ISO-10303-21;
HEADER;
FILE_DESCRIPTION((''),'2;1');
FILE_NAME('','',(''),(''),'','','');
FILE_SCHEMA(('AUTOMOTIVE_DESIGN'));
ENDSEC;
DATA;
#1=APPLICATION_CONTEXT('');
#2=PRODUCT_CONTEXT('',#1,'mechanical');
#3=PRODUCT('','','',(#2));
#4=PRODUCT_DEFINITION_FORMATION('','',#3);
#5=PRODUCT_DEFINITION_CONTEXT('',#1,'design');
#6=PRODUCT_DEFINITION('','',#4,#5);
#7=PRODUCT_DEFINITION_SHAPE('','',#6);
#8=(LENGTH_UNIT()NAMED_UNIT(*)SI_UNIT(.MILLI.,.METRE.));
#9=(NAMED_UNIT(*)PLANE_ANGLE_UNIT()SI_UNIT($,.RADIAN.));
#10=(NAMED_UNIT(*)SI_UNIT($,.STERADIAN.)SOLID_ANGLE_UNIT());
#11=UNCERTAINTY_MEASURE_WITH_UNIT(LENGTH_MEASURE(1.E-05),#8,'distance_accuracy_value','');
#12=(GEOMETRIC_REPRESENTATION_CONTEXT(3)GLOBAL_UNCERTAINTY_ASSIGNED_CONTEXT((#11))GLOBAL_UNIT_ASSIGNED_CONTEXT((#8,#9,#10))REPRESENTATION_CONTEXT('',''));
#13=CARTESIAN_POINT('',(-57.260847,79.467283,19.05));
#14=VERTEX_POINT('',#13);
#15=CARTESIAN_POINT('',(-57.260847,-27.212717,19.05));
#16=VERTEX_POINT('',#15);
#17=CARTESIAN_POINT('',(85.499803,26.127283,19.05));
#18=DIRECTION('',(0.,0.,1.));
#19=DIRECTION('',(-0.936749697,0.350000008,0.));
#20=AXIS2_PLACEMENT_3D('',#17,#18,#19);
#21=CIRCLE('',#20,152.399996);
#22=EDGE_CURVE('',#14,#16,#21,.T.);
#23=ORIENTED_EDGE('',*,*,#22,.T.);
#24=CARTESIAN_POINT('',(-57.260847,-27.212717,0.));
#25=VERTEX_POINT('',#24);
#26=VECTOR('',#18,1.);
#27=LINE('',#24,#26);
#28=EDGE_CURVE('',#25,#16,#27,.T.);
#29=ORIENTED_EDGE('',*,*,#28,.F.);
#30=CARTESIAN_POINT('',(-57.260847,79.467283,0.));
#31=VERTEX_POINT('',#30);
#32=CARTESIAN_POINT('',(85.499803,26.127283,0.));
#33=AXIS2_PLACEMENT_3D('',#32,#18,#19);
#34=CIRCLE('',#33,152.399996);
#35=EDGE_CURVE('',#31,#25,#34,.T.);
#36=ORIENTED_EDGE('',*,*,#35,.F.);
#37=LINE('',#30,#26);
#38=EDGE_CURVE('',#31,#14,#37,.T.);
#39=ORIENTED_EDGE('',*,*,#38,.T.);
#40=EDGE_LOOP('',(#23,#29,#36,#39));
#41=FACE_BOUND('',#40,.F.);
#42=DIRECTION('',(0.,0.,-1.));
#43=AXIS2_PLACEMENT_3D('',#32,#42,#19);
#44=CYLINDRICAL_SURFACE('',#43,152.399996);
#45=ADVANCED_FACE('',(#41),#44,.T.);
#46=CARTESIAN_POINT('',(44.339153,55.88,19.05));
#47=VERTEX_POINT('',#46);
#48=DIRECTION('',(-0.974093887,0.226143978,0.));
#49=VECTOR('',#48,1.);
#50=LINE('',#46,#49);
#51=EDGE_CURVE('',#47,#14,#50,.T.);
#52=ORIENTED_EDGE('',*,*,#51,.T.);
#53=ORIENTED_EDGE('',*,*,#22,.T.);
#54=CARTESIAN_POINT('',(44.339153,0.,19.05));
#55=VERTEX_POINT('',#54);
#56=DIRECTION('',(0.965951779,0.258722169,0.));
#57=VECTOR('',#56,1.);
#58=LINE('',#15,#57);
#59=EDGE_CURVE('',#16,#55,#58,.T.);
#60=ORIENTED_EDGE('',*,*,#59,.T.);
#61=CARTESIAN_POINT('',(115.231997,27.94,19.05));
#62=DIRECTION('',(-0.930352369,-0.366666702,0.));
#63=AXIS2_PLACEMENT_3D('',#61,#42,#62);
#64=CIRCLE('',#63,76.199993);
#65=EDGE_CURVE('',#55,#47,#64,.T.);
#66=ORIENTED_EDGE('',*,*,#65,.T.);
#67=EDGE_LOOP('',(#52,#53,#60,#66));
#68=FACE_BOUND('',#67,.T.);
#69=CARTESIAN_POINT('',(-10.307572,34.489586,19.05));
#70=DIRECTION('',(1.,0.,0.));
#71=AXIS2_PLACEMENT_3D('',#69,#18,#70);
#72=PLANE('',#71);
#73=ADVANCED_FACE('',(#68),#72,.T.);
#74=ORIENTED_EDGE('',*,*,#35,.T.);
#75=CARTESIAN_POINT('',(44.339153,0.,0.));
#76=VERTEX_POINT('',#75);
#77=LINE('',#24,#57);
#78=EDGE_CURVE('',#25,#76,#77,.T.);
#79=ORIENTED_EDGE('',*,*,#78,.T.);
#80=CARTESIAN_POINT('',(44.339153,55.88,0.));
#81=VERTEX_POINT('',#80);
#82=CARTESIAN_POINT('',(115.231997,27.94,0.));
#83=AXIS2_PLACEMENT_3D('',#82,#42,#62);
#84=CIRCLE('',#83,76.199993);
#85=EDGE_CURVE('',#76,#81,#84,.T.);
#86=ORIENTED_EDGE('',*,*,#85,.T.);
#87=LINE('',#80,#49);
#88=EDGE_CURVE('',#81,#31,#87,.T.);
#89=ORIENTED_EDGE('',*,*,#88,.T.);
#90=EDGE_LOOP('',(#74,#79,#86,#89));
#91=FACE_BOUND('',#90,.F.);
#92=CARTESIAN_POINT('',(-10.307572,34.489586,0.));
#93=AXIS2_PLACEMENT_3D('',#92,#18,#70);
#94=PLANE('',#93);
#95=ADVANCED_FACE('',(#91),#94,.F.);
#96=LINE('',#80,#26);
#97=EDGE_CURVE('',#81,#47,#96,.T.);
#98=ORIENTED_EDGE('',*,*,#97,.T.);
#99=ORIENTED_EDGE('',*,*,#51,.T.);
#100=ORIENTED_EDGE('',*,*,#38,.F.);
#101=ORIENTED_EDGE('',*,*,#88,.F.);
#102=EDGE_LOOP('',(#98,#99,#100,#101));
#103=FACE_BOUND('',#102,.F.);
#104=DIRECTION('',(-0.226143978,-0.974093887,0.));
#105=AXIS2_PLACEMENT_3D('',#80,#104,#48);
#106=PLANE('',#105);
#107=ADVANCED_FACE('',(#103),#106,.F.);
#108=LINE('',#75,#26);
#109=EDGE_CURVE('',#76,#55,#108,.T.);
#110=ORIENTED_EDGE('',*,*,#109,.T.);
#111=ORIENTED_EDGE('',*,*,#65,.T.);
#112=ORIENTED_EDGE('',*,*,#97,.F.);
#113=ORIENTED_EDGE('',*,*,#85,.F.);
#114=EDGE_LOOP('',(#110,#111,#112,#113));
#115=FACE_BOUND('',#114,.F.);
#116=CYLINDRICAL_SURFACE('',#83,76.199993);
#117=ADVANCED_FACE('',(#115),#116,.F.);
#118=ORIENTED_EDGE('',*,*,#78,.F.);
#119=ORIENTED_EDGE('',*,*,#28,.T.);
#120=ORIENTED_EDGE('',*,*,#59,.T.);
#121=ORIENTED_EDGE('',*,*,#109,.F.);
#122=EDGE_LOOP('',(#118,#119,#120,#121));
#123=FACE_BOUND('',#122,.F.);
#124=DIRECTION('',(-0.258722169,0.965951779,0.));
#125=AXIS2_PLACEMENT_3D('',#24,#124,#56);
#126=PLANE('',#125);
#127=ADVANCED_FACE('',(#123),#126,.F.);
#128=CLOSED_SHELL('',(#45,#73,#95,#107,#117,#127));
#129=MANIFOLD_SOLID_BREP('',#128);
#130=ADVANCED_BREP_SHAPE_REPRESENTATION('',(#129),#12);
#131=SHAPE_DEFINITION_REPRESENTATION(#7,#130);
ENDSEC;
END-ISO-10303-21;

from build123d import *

# Parameters (mm, degrees)
F1_DEPTH = 19.05


with BuildPart() as f1:
    # F0 (on Top) → F1 (new body)
    with BuildSketch(Plane.XY):
        with BuildLine():
            Line((-57.260847, 79.467283), (-57.260847, 0))
            Line((-57.260847, 0), (44.339153, 0))
            ThreePointArc((44.339153, 0), (39.032004, 27.94), (44.339153, 55.88))
            Line((44.339153, 55.88), (-57.260847, 79.467283))
        make_face()
        Polygon((44.339153, 0), (-57.260847, 0), (-57.260847, -27.212717), align=None)
        with BuildLine():
            Line((-57.260847, -27.212717), (-57.260847, 0))
            Line((-57.260847, 0), (-57.260847, 79.467283))
            ThreePointArc((-57.260847, 79.467283), (-66.900193, 26.127283), (-57.260847, -27.212717))
        make_face()
    extrude(amount=F1_DEPTH)


solid = f1.part
